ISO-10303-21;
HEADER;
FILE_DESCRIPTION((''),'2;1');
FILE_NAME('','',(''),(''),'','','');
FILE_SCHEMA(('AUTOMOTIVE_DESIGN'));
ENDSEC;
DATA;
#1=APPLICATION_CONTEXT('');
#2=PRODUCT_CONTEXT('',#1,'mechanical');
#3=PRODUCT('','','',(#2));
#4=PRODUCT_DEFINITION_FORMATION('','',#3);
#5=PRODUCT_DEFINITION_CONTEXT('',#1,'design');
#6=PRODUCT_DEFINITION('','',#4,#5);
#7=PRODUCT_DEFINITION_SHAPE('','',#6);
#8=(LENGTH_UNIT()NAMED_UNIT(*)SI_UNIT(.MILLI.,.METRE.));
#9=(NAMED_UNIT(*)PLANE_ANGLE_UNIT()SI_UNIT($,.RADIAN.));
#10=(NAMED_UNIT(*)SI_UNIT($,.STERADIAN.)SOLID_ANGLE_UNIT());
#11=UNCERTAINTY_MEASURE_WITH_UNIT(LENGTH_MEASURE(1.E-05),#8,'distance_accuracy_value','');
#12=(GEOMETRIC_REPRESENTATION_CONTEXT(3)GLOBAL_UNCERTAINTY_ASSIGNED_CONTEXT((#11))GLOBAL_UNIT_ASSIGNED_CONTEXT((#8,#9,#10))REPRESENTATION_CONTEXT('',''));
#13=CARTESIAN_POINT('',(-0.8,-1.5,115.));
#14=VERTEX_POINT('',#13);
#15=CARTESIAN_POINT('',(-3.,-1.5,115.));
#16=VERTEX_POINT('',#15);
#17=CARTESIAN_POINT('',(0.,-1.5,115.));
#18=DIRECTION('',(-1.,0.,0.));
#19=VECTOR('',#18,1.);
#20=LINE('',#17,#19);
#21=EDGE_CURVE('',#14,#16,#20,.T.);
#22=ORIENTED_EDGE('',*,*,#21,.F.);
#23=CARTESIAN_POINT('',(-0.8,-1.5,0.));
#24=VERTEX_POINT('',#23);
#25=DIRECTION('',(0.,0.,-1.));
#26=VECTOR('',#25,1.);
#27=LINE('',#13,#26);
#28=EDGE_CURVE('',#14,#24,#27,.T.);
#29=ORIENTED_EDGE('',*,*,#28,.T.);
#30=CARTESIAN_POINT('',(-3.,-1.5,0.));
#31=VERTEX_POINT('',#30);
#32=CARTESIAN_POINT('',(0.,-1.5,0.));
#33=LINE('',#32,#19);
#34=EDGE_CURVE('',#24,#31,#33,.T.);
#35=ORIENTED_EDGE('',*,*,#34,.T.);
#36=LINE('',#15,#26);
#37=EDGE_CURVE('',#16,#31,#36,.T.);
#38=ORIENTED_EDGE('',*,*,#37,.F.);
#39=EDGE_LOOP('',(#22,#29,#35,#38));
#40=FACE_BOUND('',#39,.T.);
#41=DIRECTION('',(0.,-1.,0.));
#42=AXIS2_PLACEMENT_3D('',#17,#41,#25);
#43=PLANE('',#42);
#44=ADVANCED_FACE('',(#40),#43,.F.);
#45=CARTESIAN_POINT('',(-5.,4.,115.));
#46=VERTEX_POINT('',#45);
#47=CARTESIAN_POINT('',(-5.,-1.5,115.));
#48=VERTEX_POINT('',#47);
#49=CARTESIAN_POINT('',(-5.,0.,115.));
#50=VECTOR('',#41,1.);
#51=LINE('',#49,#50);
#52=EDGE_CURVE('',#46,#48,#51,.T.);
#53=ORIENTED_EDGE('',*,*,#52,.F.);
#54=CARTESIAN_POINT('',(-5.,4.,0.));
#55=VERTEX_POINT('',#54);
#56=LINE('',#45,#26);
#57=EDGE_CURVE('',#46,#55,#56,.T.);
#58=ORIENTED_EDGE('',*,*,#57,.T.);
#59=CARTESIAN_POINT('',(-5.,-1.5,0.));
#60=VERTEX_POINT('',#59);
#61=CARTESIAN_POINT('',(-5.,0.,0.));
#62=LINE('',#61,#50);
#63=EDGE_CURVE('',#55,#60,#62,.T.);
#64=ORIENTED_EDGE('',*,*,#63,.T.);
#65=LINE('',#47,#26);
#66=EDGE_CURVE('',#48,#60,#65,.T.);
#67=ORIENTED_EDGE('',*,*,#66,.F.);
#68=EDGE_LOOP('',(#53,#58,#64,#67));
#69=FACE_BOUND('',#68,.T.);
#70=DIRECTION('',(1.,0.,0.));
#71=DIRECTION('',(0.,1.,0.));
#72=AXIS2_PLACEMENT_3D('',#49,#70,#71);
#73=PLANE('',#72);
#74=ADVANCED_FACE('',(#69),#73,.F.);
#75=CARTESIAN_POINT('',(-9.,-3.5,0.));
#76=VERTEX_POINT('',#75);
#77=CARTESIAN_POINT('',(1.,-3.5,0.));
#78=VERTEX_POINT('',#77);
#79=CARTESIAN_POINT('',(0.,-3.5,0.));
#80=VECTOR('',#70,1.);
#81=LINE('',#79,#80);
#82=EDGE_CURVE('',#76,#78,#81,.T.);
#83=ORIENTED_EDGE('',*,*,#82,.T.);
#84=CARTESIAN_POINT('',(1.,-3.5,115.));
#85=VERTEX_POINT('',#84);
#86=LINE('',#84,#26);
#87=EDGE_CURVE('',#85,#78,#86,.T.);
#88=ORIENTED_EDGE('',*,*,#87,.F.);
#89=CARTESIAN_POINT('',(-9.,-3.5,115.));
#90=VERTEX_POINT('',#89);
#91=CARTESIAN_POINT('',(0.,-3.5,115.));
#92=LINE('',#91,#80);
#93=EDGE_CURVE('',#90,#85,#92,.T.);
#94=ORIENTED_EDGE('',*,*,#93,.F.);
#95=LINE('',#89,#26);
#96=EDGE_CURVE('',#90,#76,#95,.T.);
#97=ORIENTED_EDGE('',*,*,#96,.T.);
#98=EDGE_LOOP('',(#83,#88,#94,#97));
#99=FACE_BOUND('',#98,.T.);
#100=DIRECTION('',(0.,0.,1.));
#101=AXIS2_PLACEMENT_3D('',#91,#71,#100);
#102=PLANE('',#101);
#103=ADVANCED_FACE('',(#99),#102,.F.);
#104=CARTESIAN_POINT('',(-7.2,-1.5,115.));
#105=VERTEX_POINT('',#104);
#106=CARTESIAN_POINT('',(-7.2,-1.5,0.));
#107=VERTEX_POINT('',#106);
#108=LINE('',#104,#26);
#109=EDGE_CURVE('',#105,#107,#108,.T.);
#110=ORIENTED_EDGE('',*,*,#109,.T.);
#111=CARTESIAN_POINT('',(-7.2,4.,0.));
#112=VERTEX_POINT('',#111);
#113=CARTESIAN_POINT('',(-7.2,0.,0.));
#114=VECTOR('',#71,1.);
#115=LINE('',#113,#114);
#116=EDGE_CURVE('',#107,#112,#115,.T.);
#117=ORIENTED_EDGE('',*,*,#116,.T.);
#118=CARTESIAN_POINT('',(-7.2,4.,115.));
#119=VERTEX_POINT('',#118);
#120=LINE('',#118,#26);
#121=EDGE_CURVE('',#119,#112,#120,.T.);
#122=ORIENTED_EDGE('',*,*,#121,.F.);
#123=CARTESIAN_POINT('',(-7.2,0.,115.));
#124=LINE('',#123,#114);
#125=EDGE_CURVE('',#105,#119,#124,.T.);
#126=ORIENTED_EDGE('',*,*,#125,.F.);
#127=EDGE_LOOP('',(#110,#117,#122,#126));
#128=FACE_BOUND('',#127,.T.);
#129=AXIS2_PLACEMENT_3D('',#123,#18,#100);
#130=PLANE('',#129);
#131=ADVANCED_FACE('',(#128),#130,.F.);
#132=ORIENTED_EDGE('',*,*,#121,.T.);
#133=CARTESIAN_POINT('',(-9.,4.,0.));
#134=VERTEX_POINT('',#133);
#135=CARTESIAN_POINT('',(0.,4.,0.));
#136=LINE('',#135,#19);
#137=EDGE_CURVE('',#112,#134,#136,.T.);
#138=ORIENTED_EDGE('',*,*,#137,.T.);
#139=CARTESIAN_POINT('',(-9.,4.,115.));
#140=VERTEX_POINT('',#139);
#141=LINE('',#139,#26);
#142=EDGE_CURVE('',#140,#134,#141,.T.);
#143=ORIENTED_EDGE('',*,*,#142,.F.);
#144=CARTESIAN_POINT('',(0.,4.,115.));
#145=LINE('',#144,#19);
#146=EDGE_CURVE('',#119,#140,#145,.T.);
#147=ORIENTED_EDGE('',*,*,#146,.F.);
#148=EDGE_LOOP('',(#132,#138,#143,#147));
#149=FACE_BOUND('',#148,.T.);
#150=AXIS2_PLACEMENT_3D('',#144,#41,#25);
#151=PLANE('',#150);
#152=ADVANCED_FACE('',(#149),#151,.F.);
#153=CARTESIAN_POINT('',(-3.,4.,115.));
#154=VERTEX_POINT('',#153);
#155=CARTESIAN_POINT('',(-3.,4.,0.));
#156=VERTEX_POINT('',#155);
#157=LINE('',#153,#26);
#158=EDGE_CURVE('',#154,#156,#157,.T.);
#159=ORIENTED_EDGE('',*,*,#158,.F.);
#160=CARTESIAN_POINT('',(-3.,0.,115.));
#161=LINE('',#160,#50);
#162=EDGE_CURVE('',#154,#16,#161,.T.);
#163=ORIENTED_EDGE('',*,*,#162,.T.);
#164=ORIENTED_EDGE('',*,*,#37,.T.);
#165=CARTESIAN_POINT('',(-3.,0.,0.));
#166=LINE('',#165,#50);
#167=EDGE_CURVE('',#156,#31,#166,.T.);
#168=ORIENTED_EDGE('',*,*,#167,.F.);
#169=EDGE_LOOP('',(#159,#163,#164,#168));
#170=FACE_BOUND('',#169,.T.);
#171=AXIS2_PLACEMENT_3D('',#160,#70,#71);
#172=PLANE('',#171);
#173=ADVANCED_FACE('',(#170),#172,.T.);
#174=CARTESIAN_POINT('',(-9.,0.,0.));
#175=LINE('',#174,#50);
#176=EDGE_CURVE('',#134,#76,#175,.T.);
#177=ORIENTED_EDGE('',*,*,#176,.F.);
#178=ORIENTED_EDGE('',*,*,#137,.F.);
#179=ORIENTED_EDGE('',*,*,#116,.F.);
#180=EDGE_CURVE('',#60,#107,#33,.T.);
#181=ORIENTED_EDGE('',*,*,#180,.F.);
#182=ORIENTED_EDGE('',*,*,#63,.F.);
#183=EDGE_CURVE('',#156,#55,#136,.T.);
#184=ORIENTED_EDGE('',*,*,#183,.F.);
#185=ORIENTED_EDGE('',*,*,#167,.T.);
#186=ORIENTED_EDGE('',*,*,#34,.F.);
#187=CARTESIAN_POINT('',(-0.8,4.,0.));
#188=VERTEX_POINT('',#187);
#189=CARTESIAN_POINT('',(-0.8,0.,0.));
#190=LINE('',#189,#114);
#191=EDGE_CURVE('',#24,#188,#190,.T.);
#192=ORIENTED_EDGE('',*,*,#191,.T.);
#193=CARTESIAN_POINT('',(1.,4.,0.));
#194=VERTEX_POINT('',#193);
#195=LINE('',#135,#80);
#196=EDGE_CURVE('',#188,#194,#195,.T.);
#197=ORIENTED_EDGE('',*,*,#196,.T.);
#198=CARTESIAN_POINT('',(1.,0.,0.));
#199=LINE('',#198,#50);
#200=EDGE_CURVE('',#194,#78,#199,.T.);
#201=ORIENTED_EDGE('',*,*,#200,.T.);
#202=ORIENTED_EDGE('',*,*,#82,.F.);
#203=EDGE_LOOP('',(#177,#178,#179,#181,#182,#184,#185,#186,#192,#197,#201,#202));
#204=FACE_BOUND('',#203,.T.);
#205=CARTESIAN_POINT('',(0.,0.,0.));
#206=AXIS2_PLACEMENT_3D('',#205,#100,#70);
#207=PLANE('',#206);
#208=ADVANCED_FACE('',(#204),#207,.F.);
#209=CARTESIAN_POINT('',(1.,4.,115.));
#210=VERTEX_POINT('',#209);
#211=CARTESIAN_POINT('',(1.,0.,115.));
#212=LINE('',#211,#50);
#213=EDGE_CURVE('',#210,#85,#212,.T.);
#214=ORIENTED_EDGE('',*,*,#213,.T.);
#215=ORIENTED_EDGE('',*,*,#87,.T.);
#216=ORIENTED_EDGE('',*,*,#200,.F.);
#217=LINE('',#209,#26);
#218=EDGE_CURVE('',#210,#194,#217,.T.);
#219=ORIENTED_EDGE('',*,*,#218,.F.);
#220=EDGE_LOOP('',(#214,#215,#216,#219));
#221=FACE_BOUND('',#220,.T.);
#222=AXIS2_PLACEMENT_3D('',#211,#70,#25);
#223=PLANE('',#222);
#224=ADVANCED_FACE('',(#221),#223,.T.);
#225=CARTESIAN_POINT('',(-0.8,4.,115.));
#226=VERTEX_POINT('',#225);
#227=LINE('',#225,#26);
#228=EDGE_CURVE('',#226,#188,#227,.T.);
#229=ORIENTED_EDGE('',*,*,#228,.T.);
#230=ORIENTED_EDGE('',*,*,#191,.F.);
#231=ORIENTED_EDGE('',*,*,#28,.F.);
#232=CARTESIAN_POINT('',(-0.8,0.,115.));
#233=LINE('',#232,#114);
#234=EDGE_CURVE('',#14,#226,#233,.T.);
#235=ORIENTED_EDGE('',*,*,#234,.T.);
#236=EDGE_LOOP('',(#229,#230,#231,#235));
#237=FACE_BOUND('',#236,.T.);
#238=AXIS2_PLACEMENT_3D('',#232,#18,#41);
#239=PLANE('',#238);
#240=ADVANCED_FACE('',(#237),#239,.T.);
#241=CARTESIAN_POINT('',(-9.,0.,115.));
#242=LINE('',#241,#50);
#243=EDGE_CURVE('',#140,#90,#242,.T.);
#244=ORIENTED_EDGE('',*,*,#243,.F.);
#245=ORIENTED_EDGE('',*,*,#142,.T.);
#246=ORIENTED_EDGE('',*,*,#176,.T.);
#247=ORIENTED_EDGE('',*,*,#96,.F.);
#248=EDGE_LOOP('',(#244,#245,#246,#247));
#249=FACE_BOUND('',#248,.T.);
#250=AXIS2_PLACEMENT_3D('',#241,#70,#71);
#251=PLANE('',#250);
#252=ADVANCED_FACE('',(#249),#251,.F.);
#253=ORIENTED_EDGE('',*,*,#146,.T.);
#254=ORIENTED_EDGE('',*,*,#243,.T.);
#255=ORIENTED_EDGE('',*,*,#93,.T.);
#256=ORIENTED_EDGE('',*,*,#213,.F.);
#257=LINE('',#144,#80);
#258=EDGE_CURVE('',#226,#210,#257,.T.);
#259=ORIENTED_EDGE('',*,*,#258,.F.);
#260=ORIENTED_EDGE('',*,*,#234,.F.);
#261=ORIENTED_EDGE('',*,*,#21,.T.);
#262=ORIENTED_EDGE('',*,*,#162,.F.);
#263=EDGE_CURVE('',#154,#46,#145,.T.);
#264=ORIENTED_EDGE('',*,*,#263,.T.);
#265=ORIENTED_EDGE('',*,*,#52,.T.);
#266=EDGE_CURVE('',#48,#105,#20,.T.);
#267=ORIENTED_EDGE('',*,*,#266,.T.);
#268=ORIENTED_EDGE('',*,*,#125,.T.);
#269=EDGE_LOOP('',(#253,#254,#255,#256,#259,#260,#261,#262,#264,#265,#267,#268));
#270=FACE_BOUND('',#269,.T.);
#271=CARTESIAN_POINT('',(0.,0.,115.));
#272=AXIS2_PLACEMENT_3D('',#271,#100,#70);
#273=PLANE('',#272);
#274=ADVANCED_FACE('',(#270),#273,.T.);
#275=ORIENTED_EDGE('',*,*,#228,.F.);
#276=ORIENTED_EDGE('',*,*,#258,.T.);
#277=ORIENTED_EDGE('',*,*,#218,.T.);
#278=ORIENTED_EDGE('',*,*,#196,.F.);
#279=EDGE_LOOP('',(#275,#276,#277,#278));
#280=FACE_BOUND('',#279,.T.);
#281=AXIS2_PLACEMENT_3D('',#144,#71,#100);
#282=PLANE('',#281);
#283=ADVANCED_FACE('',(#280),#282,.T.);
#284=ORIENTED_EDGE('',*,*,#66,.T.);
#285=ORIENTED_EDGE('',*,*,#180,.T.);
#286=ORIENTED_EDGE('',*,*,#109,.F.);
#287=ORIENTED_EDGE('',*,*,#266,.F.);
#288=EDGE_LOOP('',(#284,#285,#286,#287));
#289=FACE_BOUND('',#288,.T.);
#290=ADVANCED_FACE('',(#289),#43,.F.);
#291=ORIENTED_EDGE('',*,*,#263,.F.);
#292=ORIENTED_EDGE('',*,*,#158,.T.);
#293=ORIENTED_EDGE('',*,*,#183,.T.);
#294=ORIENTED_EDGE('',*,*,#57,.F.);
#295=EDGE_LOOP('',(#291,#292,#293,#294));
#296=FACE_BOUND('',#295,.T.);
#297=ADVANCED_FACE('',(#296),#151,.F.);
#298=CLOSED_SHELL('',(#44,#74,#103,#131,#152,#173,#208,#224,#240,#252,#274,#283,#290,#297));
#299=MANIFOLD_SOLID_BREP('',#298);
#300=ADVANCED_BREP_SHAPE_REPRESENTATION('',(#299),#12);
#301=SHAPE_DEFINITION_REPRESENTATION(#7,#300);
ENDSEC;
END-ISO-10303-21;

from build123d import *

# Parameters (mm, degrees)
ESBO_O1_W                = 1.8
ESBO_O1_H                = 5.5
RESSALTO_EXTRUS_O1_DEPTH = 115


with BuildPart() as part:
    # Esboço1 → Ressalto-extrusão1 (new body)
    with BuildSketch(Plane.XY):
        with Locations((-8.1, 1.25)):
            Rectangle(ESBO_O1_W, ESBO_O1_H)
        Polygon((-5, -1.198132677), (-5, -1.5), (-4, -1.5), (-4, 4), (-5, 4), align=None)
        Polygon((-4, 4), (-4, -1.5), (-3, -1.5), (-3, -1.198132677), (-3, 4), align=None)
        Polygon((-4, -1.5), (-5, -1.5), (-5.301867323, -1.5), (-6.898310084, -1.5), (-7.2, -1.5), (-9, -1.5), (-9, -3.5), (1, -3.5), (1, -1.5), (-0.8, -1.5), (-1.101689916, -1.5), (-2.698132677, -1.5), (-3, -1.5), align=None)
        with Locations((0.1, 1.25)):
            Rectangle(ESBO_O1_W, ESBO_O1_H)
    extrude(amount=RESSALTO_EXTRUS_O1_DEPTH)


solid = part.part
